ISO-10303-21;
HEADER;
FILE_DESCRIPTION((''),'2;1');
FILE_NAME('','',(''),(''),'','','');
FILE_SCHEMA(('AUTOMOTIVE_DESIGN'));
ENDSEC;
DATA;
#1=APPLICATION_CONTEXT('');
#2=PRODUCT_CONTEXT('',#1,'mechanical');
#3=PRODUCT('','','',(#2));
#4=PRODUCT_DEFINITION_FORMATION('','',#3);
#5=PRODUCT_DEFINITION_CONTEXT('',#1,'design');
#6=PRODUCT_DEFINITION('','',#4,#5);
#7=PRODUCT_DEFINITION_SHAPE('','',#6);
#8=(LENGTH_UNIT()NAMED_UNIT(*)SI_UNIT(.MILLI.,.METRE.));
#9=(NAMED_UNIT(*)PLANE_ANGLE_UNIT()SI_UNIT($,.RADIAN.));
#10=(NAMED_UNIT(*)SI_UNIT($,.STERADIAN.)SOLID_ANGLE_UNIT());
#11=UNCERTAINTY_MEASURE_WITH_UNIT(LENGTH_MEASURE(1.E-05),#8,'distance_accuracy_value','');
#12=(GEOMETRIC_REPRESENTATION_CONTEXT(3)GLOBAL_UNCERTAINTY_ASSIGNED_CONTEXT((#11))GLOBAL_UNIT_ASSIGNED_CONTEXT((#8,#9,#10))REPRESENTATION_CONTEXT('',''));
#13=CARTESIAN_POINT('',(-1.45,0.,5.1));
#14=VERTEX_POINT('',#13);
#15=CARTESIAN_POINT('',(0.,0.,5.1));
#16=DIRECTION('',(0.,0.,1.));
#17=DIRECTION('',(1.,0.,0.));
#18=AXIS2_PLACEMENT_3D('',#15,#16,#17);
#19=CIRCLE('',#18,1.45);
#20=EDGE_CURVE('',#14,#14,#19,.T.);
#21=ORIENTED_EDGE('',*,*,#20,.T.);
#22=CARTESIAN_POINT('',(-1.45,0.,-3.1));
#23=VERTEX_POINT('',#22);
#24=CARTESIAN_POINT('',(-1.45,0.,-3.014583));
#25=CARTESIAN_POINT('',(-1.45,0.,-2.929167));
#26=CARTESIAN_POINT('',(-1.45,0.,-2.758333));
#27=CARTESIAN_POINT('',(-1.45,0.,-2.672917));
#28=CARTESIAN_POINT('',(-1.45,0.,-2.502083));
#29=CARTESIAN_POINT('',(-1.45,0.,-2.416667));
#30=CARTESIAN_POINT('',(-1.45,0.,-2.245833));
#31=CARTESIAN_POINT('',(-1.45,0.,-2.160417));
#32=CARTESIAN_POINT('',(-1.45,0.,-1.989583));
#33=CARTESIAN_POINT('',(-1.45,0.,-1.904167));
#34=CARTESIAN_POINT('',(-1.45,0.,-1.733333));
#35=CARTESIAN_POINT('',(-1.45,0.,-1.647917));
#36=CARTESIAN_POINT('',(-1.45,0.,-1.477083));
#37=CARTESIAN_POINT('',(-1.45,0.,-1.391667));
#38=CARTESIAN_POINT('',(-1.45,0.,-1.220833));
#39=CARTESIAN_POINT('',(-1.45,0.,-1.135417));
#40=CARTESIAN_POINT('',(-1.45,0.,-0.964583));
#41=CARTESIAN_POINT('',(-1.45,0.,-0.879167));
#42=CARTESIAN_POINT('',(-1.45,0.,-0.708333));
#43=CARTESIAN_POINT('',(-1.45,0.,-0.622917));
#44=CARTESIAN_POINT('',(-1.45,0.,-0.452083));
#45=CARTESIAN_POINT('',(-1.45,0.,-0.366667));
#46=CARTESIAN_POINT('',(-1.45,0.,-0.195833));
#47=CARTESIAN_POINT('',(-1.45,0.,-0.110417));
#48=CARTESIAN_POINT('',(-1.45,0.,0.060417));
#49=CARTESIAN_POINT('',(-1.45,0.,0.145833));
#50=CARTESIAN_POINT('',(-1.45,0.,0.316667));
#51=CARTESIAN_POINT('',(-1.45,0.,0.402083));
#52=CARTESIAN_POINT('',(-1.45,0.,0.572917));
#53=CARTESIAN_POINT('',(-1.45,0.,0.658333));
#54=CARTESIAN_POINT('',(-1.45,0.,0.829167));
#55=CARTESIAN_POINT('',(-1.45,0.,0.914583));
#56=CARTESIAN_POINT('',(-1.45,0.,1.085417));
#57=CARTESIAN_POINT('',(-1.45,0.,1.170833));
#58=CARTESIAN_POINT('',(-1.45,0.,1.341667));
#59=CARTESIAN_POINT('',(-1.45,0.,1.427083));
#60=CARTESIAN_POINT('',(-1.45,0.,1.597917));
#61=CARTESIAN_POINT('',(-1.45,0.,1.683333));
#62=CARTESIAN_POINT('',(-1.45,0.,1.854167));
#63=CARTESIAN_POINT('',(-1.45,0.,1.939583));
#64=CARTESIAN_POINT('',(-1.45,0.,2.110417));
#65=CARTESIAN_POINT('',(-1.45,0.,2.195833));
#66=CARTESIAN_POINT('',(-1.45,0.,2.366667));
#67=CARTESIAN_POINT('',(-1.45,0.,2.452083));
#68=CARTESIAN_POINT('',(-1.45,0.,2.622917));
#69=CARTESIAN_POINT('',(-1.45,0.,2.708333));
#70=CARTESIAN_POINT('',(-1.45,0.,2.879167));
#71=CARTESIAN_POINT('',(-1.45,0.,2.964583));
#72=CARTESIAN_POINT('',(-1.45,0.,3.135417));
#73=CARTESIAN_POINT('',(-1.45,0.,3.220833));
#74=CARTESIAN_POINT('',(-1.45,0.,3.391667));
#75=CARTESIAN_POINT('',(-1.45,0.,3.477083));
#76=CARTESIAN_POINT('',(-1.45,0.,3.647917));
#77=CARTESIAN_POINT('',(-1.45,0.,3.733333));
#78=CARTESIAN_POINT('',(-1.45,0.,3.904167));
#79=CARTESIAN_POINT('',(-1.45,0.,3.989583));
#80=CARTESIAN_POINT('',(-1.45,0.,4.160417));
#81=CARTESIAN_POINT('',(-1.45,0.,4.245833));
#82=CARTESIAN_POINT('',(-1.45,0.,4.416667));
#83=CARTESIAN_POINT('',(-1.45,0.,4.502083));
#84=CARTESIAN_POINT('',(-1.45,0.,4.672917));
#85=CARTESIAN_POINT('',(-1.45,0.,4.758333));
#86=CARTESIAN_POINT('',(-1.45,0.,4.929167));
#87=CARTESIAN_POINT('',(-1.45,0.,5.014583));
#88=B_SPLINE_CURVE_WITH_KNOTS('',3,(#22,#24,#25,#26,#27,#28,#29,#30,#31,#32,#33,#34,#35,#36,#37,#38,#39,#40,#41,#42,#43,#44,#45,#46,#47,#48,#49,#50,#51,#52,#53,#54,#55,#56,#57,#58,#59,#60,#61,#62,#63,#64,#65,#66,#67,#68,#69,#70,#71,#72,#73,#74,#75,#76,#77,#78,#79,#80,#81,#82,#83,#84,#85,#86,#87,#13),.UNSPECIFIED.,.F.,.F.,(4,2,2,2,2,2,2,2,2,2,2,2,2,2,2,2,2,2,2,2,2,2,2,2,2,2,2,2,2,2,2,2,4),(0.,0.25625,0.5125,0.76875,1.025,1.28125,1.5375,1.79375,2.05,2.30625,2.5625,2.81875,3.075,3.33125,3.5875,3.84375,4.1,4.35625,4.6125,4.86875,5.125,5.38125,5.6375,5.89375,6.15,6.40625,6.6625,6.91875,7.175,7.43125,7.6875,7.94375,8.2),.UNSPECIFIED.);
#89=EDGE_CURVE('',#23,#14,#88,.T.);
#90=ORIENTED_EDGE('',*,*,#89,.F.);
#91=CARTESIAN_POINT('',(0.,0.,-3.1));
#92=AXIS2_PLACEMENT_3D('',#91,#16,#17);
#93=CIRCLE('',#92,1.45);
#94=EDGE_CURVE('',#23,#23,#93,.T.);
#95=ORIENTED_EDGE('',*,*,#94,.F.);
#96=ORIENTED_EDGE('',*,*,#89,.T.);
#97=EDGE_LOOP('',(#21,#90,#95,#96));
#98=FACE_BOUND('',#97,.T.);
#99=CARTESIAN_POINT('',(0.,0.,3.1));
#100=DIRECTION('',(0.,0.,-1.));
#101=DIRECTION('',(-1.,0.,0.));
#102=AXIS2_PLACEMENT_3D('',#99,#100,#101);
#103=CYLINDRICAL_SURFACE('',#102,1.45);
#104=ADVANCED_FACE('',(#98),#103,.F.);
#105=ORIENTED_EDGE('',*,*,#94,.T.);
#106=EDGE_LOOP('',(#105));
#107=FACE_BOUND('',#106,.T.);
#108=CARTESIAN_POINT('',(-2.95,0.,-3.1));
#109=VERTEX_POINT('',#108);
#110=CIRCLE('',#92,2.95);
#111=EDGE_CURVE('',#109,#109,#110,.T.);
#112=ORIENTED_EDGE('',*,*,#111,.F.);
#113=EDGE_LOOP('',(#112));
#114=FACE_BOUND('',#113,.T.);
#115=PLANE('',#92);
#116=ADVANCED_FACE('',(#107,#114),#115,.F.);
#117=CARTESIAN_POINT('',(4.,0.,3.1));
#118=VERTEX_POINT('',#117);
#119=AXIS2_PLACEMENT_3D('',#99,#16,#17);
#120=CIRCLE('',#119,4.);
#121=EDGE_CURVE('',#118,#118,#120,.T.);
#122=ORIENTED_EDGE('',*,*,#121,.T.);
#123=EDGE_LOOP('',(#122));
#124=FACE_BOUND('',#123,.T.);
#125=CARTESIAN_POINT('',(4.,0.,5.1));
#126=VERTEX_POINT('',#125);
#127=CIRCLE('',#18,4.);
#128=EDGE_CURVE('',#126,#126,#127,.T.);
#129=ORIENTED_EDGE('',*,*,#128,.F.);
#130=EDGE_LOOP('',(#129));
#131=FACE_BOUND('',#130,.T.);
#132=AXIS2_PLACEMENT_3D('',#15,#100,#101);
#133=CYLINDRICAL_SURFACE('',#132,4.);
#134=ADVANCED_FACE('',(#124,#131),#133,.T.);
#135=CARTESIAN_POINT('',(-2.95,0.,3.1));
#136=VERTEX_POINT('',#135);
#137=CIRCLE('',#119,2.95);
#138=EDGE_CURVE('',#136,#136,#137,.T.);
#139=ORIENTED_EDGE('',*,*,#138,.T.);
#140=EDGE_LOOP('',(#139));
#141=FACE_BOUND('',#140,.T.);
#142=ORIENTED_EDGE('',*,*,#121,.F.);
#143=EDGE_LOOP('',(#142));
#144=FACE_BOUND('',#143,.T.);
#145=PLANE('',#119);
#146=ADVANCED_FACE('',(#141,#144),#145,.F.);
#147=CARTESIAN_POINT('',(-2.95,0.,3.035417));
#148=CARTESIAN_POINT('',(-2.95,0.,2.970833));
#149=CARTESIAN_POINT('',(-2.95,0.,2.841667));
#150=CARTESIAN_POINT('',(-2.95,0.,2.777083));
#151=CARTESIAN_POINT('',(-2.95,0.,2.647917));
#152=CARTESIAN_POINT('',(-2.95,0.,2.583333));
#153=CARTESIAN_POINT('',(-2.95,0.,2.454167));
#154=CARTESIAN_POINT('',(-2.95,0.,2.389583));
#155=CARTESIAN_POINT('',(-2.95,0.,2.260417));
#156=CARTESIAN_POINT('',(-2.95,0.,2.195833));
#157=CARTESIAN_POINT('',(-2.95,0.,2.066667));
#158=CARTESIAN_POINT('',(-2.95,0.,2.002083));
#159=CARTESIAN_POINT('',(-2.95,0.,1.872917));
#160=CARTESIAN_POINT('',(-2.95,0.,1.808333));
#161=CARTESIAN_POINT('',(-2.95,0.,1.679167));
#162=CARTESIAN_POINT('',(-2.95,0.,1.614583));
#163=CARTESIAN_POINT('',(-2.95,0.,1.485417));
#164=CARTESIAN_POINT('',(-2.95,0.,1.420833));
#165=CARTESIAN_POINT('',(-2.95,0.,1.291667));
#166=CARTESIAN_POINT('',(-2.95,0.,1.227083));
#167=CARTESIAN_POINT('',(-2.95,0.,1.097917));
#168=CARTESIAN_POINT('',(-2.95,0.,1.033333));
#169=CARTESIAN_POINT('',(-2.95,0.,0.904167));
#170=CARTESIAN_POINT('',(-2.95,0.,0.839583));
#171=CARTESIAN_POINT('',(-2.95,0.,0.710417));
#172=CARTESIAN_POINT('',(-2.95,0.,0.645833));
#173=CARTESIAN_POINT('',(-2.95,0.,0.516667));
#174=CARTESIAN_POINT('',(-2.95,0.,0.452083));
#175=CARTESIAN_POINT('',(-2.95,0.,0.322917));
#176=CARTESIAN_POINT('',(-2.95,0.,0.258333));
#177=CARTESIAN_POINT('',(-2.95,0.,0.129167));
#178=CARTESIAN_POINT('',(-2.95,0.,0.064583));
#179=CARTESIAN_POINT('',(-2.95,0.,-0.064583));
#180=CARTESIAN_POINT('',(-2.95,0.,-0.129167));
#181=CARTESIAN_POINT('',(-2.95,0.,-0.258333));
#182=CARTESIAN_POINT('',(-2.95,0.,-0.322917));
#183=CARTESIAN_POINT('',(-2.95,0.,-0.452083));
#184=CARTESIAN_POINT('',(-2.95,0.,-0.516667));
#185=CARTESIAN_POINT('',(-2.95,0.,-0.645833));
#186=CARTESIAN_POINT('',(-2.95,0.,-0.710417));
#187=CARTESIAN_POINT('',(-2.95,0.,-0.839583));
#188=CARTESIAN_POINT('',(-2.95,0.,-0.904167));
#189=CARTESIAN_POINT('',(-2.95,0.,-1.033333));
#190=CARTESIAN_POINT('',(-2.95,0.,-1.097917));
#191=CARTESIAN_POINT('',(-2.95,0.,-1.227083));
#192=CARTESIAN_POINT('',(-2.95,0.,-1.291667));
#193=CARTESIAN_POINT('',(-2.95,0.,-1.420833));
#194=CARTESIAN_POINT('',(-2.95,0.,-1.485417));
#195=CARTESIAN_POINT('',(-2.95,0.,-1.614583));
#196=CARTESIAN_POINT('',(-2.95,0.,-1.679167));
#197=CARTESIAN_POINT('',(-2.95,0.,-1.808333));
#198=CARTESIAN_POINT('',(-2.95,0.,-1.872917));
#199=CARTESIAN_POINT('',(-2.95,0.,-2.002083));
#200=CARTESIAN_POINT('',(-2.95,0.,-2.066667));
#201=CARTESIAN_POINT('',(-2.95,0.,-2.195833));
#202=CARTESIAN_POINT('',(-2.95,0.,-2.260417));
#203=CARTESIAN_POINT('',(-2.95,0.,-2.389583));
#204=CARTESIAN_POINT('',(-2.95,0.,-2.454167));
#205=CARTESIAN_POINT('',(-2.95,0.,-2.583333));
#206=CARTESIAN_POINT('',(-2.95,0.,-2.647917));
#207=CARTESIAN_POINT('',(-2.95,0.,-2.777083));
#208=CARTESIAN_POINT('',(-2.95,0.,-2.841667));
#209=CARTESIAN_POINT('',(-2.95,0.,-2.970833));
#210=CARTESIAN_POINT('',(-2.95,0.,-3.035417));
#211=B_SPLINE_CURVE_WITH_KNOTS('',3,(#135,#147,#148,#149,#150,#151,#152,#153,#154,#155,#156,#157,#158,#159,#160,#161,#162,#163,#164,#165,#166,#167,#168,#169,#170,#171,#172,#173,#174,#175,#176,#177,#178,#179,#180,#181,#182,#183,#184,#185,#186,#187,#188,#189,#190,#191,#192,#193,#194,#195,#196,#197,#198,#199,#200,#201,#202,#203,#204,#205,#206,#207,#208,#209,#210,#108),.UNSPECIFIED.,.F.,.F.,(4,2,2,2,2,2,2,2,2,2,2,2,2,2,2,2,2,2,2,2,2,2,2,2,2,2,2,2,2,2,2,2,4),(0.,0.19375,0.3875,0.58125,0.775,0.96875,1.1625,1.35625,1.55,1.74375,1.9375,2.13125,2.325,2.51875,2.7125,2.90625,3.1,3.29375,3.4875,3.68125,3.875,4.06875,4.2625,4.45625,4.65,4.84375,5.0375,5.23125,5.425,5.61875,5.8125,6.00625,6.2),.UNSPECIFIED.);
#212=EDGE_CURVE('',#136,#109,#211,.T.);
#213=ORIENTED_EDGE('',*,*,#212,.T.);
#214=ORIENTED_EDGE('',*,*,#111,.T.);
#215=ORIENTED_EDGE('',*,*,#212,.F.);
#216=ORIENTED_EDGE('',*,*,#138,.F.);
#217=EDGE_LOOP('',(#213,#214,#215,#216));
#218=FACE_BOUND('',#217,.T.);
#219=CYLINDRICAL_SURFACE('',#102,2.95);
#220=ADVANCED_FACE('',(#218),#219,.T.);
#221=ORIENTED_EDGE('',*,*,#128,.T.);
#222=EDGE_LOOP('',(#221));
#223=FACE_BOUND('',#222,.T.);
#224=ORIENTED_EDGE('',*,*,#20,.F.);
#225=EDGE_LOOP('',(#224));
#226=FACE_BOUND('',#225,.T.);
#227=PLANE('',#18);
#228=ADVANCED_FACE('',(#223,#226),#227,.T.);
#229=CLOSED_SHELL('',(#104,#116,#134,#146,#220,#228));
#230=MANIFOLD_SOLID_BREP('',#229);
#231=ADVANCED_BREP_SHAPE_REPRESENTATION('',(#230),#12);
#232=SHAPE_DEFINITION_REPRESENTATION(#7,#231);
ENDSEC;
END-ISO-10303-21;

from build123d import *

# Parameters (mm, degrees)
SKETCH_1_R      = 2.95
SKETCH_1_R_2    = 1.45
EXTRUDE_1_DEPTH = 3.1
SKETCH_2_R      = 4
SKETCH_2_R_2    = 1.45
EXTRUDE_2_DEPTH = 2


with BuildPart() as part:
    # 草图1 → 凸台-拉伸1 (new, symmetric)
    with BuildSketch(Plane.XY):
        with Locations(Location((0, 0, 0), (0, 0, 180))):
            Circle(SKETCH_1_R)
        with Locations(Location((0, 0, 0), (0, 0, 180))):
            Circle(SKETCH_1_R_2, mode=Mode.SUBTRACT)
    extrude(amount=EXTRUDE_1_DEPTH, both=True)

    # 草图2 → 凸台-拉伸2 (add)
    with BuildSketch(Plane.XY.offset(3.1)):
        Circle(SKETCH_2_R)
        with Locations(Location((0, 0, 0), (0, 0, 180))):
            Circle(SKETCH_2_R_2, mode=Mode.SUBTRACT)
    extrude(amount=EXTRUDE_2_DEPTH)


solid = part.part
